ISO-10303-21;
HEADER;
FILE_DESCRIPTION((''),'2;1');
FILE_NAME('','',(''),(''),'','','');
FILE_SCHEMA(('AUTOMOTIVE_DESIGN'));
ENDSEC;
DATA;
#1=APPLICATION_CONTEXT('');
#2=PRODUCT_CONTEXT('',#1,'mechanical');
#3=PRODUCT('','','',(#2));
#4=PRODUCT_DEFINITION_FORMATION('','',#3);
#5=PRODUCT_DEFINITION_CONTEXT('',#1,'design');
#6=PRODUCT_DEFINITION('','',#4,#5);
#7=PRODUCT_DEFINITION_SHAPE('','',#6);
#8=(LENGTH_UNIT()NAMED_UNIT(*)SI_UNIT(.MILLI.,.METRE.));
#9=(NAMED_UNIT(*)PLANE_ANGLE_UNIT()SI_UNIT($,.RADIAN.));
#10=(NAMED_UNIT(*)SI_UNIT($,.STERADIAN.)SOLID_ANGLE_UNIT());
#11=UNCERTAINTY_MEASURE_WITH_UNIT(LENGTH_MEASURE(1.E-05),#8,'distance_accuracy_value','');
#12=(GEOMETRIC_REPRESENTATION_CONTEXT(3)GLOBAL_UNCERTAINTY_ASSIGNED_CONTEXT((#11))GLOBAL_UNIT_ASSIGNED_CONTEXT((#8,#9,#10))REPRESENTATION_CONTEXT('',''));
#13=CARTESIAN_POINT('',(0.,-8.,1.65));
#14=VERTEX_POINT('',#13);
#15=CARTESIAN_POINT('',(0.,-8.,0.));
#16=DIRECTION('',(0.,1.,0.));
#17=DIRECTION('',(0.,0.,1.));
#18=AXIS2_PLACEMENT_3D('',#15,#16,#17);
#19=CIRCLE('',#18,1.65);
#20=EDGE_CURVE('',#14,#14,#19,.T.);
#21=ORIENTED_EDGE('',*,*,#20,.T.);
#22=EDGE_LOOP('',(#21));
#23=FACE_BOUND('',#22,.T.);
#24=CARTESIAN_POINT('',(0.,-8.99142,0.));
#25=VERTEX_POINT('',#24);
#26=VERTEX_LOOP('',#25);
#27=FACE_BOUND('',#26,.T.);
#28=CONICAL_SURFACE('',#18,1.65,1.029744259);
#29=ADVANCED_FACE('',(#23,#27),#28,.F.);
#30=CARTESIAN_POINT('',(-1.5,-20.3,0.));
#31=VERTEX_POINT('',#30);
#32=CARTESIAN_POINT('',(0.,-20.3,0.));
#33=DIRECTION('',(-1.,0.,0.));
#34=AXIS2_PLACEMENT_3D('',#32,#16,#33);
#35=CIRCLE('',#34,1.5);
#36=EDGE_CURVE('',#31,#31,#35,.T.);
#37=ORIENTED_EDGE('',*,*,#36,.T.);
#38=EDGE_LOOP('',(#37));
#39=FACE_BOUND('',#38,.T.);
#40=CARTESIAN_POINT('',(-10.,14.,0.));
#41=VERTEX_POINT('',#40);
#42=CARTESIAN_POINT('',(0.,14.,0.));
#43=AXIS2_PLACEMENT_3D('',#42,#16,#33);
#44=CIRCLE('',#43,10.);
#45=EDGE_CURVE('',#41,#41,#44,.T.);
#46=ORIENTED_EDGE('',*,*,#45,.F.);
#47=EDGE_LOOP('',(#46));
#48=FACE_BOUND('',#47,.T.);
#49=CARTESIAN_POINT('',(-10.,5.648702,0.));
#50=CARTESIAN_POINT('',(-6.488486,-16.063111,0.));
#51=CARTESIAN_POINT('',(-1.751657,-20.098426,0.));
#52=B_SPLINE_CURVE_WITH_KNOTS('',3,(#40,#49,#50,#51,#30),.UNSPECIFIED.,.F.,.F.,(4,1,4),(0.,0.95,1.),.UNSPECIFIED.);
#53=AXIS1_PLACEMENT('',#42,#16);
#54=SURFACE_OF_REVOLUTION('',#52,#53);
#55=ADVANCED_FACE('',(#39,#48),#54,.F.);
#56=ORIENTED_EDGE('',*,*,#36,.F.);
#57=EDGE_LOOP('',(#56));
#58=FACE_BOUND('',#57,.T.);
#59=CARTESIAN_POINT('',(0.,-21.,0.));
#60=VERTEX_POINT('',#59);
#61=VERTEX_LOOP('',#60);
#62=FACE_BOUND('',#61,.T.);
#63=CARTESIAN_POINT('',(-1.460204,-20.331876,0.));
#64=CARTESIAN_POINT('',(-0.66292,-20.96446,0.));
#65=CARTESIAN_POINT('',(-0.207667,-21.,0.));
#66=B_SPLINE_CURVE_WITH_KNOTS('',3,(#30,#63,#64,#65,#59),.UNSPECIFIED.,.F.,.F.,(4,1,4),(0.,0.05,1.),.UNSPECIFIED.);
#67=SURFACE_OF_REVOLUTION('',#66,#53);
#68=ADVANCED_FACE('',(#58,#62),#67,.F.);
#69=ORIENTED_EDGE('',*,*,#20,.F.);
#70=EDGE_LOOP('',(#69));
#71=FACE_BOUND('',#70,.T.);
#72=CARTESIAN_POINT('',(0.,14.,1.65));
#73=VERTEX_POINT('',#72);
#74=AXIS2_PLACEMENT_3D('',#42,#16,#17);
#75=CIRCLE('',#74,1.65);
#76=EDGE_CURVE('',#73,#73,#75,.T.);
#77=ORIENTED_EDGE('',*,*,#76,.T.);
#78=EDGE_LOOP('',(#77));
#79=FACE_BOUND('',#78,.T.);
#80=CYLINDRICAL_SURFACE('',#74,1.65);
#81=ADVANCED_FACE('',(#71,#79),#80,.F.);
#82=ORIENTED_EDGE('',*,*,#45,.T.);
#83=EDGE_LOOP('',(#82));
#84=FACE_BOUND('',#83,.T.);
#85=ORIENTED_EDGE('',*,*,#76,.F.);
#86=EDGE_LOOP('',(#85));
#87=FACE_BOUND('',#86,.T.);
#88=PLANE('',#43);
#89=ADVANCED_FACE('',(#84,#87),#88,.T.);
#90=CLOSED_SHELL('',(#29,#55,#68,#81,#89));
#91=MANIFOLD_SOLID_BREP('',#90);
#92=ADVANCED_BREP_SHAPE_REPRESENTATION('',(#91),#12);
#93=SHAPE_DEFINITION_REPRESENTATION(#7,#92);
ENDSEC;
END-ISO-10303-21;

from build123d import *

# Parameters (mm, degrees)
TROU_TARAUD_M41_D     = 3.3
TROU_TARAUD_M41_DEPTH = 22
TROU_TARAUD_M41_TIP   = 0.991420021


with BuildPart() as part:
    # Esquisse5 → Révolution1 (revolve)
    with BuildSketch(Plane.XY):
        with BuildLine():
            Line((0, 14), (0, -21))
            add(Edge.make_bspline(
                [(-1.5, -20.3), (-1.460203942, -20.331876133), (-0.662919651, -20.964459536), (-0.207667434, -21), (0, -21)],
                knots=[0, 0, 0, 0, 0.05, 1, 1, 1, 1], degree=3))
            add(Edge.make_bspline(
                [(-10, 14), (-10, 5.648701911), (-6.488485569, -16.06311059), (-1.7516567, -20.098426203), (-1.5, -20.3)],
                knots=[0, 0, 0, 0, 0.95, 1, 1, 1, 1], degree=3))
            Line((-10, 14), (0, 14))
        make_face()
    revolve(axis=Axis((0, 14, 0), (0, -1, 0)))

    # Trou taraudé M41
    with Locations(Plane(origin=(0, 14, 0), x_dir=(1, 0, 0), z_dir=(0, 1, 0))):
        with Locations((0, 0)):
            Hole(TROU_TARAUD_M41_D / 2, depth=TROU_TARAUD_M41_DEPTH)
            with Locations((0, 0, -(TROU_TARAUD_M41_DEPTH + TROU_TARAUD_M41_TIP / 2))):  # 118° drill point
                Cone(0, TROU_TARAUD_M41_D / 2, TROU_TARAUD_M41_TIP, mode=Mode.SUBTRACT)


solid = part.part
